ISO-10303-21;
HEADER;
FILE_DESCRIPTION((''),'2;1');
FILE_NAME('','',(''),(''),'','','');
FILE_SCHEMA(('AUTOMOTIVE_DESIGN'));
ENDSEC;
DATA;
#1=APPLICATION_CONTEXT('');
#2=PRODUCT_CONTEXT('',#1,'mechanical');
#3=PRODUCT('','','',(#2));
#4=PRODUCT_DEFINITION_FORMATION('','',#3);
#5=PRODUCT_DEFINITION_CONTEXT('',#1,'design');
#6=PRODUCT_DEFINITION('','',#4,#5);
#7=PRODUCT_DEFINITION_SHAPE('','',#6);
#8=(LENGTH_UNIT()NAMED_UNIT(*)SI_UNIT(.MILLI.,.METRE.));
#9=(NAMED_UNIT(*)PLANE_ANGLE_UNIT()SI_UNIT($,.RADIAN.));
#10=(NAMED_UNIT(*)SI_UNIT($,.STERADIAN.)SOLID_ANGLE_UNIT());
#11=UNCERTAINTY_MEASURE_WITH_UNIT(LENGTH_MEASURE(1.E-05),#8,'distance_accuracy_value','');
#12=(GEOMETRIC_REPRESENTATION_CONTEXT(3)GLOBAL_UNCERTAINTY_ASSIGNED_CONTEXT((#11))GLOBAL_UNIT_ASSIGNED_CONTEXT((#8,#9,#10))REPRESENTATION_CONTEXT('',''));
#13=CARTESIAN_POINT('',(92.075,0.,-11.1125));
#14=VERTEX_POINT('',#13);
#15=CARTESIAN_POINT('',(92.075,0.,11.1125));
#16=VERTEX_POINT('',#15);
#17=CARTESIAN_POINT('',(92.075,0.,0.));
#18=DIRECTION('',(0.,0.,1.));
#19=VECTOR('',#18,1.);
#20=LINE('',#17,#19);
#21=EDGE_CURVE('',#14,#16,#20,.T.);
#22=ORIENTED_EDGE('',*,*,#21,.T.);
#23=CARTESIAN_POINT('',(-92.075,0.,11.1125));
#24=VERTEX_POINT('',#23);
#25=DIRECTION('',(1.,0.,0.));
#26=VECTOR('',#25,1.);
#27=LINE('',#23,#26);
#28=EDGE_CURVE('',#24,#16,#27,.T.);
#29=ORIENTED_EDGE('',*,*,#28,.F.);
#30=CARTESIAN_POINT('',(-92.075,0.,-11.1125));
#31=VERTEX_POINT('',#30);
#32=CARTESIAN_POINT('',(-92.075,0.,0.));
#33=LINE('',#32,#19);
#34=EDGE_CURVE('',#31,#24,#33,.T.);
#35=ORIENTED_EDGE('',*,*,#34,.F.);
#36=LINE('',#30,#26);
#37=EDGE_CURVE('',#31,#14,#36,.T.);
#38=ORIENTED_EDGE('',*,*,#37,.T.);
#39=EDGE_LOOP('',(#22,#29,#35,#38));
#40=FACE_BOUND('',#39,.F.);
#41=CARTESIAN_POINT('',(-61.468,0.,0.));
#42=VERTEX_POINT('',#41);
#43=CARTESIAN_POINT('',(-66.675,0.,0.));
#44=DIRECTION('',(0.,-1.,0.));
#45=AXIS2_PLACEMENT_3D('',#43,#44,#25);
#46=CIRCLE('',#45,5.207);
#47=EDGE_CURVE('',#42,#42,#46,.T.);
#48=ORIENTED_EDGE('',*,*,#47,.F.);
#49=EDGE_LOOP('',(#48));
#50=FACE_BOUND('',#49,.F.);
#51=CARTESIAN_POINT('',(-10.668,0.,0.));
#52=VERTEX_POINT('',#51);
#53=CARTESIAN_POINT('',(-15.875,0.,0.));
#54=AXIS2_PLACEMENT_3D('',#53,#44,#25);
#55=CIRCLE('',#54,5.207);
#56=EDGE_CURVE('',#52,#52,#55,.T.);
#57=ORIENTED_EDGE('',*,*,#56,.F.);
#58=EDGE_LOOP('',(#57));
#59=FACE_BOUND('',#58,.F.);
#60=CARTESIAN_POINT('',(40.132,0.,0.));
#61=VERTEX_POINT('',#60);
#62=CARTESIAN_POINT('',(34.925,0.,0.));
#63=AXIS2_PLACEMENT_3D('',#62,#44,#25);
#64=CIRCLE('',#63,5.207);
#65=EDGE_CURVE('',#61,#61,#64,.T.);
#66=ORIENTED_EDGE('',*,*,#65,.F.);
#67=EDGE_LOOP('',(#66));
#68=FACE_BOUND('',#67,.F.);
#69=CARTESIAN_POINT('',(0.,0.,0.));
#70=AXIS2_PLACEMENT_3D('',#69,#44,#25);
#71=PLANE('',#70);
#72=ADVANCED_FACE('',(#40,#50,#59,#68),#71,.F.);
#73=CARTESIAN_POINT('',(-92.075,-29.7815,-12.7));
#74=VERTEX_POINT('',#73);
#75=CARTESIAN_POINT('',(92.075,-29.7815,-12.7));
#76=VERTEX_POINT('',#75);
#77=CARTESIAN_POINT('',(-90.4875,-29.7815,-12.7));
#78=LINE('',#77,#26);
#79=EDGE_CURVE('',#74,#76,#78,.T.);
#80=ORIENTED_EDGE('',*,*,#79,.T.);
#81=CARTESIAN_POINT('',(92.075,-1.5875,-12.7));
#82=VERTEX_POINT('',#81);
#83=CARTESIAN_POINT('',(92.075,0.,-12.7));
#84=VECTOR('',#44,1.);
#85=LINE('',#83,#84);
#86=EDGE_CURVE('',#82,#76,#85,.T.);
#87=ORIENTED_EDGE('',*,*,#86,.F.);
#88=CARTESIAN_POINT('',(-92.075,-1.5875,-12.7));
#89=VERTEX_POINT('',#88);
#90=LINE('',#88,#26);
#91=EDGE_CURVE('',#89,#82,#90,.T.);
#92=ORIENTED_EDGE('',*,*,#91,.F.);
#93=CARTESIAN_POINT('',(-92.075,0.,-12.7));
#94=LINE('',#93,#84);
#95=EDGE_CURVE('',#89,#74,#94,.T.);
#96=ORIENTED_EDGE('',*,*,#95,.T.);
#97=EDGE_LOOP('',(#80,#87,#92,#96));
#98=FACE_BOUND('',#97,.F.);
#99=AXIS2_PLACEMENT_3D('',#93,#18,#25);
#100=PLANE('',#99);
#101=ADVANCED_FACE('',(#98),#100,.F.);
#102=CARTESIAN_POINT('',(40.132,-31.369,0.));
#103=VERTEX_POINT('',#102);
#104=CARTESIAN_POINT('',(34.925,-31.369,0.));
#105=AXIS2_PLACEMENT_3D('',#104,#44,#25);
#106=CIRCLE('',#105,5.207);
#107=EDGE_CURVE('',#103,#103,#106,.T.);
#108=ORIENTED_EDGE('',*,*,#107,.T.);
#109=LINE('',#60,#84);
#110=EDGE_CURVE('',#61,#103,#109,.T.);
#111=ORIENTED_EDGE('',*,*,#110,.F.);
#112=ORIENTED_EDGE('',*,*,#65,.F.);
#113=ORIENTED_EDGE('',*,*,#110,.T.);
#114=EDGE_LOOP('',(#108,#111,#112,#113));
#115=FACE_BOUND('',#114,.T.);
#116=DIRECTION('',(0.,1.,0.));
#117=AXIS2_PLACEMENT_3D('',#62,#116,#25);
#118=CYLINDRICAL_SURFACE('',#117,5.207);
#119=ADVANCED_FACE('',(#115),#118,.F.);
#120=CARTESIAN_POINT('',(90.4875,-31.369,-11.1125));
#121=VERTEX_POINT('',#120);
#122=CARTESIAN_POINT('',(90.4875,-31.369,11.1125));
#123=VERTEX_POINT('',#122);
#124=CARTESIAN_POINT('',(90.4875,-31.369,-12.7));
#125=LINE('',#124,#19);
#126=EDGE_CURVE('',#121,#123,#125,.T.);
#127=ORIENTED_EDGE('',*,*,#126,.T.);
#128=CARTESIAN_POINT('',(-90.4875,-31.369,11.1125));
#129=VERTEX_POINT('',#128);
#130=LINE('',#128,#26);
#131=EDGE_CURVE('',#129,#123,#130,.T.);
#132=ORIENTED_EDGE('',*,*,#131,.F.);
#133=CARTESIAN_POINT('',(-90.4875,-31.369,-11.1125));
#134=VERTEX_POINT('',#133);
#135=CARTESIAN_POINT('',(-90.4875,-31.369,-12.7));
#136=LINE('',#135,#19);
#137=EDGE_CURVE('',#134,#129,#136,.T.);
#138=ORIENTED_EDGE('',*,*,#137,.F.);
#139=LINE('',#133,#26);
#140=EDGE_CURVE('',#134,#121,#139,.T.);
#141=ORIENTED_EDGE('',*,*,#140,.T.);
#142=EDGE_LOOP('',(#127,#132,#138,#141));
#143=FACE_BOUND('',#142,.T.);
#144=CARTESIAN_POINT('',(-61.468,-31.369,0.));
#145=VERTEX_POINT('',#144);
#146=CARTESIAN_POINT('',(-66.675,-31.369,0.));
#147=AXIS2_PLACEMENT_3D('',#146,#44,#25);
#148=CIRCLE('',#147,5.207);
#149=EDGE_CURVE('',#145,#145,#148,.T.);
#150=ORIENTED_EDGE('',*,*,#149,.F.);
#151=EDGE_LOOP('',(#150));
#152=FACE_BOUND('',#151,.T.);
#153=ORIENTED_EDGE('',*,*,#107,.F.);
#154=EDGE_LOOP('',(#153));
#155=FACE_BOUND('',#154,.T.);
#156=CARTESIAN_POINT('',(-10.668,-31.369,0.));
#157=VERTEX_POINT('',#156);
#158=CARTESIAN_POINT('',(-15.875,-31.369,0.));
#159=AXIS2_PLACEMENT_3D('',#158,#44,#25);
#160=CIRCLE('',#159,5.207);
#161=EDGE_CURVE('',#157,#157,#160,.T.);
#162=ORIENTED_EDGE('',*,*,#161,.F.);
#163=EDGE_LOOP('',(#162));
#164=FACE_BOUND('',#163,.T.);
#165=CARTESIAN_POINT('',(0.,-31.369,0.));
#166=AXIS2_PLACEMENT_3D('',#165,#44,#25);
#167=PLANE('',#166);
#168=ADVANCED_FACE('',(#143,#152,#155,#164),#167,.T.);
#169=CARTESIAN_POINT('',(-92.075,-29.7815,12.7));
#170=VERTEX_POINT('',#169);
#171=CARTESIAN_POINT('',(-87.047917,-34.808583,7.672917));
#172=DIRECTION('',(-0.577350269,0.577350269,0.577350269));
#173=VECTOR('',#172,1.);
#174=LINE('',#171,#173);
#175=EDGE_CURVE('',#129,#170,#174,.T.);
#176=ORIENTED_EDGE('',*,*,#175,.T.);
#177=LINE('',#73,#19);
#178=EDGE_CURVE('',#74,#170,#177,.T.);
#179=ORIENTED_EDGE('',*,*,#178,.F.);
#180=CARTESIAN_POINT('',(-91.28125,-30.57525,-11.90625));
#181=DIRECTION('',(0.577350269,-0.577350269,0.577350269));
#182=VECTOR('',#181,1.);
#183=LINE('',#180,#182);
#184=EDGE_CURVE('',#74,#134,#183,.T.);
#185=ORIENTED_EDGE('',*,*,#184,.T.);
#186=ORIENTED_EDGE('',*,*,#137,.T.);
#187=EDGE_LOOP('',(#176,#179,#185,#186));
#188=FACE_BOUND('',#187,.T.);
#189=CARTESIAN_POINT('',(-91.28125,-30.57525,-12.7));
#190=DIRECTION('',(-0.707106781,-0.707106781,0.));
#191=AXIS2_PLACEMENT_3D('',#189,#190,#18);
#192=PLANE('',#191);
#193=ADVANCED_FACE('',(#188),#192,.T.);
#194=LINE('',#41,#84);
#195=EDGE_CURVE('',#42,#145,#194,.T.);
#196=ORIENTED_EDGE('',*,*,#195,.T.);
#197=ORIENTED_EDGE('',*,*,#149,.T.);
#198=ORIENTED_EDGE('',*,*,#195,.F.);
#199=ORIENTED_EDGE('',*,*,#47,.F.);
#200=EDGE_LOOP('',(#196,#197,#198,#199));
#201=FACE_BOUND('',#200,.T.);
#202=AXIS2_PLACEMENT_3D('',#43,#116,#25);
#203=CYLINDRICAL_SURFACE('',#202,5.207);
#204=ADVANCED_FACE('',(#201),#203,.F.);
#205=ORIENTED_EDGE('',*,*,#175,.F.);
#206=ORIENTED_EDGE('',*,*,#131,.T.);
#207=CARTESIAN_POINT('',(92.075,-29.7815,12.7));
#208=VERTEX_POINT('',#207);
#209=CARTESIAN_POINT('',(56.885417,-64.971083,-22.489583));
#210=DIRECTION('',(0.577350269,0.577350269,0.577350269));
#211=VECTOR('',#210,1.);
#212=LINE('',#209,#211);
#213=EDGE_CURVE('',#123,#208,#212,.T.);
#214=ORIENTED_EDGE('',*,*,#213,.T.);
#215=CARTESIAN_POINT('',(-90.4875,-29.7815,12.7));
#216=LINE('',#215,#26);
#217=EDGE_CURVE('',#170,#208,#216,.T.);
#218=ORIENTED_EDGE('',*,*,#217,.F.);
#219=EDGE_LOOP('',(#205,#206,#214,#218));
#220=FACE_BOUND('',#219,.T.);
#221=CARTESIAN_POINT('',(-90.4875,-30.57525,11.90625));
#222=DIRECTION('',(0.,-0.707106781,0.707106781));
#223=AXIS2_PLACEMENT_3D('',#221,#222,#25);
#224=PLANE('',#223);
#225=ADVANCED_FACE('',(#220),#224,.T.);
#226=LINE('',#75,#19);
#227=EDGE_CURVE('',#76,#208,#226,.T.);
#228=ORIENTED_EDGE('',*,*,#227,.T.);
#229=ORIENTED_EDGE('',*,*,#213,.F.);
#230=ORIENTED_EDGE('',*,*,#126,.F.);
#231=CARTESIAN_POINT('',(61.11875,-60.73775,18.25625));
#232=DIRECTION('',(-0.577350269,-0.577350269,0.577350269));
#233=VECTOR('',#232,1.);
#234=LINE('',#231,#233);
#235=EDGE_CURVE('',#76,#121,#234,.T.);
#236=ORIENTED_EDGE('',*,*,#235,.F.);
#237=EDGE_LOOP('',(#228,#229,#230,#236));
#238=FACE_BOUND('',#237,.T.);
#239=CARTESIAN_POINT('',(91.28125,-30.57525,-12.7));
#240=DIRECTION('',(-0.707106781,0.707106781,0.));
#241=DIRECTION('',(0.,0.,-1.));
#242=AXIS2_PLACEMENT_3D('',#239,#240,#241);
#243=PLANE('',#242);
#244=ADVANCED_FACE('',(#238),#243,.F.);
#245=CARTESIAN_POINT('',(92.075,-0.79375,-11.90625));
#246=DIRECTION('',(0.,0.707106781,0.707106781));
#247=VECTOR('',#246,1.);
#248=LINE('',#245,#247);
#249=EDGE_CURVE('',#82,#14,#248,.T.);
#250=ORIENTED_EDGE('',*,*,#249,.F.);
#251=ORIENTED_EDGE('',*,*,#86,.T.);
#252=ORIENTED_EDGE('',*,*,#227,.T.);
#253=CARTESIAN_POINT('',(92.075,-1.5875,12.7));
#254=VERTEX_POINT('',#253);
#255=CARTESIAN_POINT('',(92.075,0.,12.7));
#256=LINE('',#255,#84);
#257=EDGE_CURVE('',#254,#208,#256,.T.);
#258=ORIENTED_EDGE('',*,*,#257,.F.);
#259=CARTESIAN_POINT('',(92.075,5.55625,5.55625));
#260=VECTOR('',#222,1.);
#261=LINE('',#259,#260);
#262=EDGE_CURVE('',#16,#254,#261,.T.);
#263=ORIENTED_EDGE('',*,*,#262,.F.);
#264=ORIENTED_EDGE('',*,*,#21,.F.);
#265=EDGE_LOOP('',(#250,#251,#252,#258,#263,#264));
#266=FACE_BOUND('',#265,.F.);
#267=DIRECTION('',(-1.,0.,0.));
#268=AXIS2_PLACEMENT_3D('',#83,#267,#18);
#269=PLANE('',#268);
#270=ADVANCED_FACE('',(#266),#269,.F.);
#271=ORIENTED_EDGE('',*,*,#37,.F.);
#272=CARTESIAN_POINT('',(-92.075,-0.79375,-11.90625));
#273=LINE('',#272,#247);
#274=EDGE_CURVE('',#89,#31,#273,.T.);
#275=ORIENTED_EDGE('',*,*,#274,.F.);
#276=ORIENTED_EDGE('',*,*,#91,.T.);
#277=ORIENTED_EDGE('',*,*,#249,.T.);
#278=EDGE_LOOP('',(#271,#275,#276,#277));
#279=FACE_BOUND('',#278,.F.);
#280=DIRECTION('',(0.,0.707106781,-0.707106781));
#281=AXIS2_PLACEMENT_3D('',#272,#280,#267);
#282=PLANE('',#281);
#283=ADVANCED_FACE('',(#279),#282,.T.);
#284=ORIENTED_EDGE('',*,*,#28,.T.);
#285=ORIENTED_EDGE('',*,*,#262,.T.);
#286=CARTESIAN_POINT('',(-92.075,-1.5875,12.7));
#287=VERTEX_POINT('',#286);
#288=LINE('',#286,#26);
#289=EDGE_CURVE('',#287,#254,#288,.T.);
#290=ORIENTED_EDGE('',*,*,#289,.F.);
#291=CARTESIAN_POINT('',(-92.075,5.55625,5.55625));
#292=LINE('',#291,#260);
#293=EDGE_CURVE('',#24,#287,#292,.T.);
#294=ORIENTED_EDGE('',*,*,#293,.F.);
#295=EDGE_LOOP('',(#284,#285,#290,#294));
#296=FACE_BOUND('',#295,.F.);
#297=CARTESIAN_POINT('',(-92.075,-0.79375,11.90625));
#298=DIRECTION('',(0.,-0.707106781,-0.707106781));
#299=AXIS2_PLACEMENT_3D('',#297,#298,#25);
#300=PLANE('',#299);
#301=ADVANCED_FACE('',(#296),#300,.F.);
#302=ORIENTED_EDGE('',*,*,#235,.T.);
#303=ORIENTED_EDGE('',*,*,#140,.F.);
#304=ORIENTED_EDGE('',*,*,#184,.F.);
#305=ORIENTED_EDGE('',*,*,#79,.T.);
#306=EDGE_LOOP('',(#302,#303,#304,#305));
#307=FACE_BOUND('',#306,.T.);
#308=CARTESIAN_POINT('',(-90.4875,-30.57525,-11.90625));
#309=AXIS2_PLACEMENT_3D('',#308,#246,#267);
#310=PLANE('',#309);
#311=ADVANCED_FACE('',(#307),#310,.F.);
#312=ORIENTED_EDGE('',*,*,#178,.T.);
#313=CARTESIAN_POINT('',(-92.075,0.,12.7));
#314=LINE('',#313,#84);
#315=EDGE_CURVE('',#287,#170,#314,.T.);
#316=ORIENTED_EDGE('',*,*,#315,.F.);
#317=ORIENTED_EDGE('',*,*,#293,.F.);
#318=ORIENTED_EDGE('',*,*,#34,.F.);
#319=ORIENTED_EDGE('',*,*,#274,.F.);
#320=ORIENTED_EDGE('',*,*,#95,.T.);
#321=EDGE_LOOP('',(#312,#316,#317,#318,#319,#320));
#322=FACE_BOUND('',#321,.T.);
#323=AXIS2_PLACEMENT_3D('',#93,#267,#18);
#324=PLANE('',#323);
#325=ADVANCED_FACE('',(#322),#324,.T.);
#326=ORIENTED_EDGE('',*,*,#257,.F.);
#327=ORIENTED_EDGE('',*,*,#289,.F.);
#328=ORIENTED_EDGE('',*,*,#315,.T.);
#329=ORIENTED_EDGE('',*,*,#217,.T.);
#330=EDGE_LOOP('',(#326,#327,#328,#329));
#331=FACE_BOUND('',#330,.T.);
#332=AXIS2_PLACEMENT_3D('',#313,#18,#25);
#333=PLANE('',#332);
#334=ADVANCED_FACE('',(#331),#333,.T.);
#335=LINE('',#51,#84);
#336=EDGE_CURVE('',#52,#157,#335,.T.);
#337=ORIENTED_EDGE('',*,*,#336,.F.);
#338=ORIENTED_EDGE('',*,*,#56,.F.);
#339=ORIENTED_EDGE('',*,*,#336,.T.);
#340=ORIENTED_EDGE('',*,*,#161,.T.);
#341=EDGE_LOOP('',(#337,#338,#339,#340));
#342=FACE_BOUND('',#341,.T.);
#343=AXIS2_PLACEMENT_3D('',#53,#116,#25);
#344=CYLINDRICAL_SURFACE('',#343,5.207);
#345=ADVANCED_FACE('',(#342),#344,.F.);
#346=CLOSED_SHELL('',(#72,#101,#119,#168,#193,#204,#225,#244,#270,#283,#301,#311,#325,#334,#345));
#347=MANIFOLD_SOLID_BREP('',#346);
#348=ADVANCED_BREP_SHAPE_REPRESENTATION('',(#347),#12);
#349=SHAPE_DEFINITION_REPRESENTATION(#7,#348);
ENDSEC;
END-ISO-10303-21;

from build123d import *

# Parameters (mm, degrees)
F0_W     = 184.15
F0_H     = 25.4
F0_R     = 5.207
F1_DEPTH = 31.369
F2_SIZE  = 1.5875
F3_SIZE  = 1.5875
F4_SIZE  = 1.5875


with BuildPart() as f1:
    # F0 (on Front) → F1 (new body)
    with BuildSketch(Plane.XZ):
        Rectangle(F0_W, F0_H)
        with Locations((-66.675, 0)):
            Circle(F0_R, mode=Mode.SUBTRACT)
        with Locations((-15.875, 0)):
            Circle(F0_R, mode=Mode.SUBTRACT)
        with Locations((34.925, 0)):
            Circle(F0_R, mode=Mode.SUBTRACT)
    extrude(amount=F1_DEPTH)

    # F2
    f2_edges = [f1.edges().sort_by_distance(p)[0] for p in [
        (92.075, -31.369, 0),
    ]]
    chamfer(f2_edges, length=F2_SIZE)

    # F3
    f3_edges = [f1.edges().sort_by_distance(p)[0] for p in [
        (-92.075, -31.369, 0),
    ]]
    chamfer(f3_edges, length=F3_SIZE)

    # F4
    f4_edges = [f1.edges().sort_by_distance(p)[0] for p in [
        (0, -31.369, 12.7),
        (0, -31.369, -12.7),
        (0, 0, -12.7),
        (0, 0, 12.7),
    ]]
    chamfer(f4_edges, length=F4_SIZE)


solid = f1.part
